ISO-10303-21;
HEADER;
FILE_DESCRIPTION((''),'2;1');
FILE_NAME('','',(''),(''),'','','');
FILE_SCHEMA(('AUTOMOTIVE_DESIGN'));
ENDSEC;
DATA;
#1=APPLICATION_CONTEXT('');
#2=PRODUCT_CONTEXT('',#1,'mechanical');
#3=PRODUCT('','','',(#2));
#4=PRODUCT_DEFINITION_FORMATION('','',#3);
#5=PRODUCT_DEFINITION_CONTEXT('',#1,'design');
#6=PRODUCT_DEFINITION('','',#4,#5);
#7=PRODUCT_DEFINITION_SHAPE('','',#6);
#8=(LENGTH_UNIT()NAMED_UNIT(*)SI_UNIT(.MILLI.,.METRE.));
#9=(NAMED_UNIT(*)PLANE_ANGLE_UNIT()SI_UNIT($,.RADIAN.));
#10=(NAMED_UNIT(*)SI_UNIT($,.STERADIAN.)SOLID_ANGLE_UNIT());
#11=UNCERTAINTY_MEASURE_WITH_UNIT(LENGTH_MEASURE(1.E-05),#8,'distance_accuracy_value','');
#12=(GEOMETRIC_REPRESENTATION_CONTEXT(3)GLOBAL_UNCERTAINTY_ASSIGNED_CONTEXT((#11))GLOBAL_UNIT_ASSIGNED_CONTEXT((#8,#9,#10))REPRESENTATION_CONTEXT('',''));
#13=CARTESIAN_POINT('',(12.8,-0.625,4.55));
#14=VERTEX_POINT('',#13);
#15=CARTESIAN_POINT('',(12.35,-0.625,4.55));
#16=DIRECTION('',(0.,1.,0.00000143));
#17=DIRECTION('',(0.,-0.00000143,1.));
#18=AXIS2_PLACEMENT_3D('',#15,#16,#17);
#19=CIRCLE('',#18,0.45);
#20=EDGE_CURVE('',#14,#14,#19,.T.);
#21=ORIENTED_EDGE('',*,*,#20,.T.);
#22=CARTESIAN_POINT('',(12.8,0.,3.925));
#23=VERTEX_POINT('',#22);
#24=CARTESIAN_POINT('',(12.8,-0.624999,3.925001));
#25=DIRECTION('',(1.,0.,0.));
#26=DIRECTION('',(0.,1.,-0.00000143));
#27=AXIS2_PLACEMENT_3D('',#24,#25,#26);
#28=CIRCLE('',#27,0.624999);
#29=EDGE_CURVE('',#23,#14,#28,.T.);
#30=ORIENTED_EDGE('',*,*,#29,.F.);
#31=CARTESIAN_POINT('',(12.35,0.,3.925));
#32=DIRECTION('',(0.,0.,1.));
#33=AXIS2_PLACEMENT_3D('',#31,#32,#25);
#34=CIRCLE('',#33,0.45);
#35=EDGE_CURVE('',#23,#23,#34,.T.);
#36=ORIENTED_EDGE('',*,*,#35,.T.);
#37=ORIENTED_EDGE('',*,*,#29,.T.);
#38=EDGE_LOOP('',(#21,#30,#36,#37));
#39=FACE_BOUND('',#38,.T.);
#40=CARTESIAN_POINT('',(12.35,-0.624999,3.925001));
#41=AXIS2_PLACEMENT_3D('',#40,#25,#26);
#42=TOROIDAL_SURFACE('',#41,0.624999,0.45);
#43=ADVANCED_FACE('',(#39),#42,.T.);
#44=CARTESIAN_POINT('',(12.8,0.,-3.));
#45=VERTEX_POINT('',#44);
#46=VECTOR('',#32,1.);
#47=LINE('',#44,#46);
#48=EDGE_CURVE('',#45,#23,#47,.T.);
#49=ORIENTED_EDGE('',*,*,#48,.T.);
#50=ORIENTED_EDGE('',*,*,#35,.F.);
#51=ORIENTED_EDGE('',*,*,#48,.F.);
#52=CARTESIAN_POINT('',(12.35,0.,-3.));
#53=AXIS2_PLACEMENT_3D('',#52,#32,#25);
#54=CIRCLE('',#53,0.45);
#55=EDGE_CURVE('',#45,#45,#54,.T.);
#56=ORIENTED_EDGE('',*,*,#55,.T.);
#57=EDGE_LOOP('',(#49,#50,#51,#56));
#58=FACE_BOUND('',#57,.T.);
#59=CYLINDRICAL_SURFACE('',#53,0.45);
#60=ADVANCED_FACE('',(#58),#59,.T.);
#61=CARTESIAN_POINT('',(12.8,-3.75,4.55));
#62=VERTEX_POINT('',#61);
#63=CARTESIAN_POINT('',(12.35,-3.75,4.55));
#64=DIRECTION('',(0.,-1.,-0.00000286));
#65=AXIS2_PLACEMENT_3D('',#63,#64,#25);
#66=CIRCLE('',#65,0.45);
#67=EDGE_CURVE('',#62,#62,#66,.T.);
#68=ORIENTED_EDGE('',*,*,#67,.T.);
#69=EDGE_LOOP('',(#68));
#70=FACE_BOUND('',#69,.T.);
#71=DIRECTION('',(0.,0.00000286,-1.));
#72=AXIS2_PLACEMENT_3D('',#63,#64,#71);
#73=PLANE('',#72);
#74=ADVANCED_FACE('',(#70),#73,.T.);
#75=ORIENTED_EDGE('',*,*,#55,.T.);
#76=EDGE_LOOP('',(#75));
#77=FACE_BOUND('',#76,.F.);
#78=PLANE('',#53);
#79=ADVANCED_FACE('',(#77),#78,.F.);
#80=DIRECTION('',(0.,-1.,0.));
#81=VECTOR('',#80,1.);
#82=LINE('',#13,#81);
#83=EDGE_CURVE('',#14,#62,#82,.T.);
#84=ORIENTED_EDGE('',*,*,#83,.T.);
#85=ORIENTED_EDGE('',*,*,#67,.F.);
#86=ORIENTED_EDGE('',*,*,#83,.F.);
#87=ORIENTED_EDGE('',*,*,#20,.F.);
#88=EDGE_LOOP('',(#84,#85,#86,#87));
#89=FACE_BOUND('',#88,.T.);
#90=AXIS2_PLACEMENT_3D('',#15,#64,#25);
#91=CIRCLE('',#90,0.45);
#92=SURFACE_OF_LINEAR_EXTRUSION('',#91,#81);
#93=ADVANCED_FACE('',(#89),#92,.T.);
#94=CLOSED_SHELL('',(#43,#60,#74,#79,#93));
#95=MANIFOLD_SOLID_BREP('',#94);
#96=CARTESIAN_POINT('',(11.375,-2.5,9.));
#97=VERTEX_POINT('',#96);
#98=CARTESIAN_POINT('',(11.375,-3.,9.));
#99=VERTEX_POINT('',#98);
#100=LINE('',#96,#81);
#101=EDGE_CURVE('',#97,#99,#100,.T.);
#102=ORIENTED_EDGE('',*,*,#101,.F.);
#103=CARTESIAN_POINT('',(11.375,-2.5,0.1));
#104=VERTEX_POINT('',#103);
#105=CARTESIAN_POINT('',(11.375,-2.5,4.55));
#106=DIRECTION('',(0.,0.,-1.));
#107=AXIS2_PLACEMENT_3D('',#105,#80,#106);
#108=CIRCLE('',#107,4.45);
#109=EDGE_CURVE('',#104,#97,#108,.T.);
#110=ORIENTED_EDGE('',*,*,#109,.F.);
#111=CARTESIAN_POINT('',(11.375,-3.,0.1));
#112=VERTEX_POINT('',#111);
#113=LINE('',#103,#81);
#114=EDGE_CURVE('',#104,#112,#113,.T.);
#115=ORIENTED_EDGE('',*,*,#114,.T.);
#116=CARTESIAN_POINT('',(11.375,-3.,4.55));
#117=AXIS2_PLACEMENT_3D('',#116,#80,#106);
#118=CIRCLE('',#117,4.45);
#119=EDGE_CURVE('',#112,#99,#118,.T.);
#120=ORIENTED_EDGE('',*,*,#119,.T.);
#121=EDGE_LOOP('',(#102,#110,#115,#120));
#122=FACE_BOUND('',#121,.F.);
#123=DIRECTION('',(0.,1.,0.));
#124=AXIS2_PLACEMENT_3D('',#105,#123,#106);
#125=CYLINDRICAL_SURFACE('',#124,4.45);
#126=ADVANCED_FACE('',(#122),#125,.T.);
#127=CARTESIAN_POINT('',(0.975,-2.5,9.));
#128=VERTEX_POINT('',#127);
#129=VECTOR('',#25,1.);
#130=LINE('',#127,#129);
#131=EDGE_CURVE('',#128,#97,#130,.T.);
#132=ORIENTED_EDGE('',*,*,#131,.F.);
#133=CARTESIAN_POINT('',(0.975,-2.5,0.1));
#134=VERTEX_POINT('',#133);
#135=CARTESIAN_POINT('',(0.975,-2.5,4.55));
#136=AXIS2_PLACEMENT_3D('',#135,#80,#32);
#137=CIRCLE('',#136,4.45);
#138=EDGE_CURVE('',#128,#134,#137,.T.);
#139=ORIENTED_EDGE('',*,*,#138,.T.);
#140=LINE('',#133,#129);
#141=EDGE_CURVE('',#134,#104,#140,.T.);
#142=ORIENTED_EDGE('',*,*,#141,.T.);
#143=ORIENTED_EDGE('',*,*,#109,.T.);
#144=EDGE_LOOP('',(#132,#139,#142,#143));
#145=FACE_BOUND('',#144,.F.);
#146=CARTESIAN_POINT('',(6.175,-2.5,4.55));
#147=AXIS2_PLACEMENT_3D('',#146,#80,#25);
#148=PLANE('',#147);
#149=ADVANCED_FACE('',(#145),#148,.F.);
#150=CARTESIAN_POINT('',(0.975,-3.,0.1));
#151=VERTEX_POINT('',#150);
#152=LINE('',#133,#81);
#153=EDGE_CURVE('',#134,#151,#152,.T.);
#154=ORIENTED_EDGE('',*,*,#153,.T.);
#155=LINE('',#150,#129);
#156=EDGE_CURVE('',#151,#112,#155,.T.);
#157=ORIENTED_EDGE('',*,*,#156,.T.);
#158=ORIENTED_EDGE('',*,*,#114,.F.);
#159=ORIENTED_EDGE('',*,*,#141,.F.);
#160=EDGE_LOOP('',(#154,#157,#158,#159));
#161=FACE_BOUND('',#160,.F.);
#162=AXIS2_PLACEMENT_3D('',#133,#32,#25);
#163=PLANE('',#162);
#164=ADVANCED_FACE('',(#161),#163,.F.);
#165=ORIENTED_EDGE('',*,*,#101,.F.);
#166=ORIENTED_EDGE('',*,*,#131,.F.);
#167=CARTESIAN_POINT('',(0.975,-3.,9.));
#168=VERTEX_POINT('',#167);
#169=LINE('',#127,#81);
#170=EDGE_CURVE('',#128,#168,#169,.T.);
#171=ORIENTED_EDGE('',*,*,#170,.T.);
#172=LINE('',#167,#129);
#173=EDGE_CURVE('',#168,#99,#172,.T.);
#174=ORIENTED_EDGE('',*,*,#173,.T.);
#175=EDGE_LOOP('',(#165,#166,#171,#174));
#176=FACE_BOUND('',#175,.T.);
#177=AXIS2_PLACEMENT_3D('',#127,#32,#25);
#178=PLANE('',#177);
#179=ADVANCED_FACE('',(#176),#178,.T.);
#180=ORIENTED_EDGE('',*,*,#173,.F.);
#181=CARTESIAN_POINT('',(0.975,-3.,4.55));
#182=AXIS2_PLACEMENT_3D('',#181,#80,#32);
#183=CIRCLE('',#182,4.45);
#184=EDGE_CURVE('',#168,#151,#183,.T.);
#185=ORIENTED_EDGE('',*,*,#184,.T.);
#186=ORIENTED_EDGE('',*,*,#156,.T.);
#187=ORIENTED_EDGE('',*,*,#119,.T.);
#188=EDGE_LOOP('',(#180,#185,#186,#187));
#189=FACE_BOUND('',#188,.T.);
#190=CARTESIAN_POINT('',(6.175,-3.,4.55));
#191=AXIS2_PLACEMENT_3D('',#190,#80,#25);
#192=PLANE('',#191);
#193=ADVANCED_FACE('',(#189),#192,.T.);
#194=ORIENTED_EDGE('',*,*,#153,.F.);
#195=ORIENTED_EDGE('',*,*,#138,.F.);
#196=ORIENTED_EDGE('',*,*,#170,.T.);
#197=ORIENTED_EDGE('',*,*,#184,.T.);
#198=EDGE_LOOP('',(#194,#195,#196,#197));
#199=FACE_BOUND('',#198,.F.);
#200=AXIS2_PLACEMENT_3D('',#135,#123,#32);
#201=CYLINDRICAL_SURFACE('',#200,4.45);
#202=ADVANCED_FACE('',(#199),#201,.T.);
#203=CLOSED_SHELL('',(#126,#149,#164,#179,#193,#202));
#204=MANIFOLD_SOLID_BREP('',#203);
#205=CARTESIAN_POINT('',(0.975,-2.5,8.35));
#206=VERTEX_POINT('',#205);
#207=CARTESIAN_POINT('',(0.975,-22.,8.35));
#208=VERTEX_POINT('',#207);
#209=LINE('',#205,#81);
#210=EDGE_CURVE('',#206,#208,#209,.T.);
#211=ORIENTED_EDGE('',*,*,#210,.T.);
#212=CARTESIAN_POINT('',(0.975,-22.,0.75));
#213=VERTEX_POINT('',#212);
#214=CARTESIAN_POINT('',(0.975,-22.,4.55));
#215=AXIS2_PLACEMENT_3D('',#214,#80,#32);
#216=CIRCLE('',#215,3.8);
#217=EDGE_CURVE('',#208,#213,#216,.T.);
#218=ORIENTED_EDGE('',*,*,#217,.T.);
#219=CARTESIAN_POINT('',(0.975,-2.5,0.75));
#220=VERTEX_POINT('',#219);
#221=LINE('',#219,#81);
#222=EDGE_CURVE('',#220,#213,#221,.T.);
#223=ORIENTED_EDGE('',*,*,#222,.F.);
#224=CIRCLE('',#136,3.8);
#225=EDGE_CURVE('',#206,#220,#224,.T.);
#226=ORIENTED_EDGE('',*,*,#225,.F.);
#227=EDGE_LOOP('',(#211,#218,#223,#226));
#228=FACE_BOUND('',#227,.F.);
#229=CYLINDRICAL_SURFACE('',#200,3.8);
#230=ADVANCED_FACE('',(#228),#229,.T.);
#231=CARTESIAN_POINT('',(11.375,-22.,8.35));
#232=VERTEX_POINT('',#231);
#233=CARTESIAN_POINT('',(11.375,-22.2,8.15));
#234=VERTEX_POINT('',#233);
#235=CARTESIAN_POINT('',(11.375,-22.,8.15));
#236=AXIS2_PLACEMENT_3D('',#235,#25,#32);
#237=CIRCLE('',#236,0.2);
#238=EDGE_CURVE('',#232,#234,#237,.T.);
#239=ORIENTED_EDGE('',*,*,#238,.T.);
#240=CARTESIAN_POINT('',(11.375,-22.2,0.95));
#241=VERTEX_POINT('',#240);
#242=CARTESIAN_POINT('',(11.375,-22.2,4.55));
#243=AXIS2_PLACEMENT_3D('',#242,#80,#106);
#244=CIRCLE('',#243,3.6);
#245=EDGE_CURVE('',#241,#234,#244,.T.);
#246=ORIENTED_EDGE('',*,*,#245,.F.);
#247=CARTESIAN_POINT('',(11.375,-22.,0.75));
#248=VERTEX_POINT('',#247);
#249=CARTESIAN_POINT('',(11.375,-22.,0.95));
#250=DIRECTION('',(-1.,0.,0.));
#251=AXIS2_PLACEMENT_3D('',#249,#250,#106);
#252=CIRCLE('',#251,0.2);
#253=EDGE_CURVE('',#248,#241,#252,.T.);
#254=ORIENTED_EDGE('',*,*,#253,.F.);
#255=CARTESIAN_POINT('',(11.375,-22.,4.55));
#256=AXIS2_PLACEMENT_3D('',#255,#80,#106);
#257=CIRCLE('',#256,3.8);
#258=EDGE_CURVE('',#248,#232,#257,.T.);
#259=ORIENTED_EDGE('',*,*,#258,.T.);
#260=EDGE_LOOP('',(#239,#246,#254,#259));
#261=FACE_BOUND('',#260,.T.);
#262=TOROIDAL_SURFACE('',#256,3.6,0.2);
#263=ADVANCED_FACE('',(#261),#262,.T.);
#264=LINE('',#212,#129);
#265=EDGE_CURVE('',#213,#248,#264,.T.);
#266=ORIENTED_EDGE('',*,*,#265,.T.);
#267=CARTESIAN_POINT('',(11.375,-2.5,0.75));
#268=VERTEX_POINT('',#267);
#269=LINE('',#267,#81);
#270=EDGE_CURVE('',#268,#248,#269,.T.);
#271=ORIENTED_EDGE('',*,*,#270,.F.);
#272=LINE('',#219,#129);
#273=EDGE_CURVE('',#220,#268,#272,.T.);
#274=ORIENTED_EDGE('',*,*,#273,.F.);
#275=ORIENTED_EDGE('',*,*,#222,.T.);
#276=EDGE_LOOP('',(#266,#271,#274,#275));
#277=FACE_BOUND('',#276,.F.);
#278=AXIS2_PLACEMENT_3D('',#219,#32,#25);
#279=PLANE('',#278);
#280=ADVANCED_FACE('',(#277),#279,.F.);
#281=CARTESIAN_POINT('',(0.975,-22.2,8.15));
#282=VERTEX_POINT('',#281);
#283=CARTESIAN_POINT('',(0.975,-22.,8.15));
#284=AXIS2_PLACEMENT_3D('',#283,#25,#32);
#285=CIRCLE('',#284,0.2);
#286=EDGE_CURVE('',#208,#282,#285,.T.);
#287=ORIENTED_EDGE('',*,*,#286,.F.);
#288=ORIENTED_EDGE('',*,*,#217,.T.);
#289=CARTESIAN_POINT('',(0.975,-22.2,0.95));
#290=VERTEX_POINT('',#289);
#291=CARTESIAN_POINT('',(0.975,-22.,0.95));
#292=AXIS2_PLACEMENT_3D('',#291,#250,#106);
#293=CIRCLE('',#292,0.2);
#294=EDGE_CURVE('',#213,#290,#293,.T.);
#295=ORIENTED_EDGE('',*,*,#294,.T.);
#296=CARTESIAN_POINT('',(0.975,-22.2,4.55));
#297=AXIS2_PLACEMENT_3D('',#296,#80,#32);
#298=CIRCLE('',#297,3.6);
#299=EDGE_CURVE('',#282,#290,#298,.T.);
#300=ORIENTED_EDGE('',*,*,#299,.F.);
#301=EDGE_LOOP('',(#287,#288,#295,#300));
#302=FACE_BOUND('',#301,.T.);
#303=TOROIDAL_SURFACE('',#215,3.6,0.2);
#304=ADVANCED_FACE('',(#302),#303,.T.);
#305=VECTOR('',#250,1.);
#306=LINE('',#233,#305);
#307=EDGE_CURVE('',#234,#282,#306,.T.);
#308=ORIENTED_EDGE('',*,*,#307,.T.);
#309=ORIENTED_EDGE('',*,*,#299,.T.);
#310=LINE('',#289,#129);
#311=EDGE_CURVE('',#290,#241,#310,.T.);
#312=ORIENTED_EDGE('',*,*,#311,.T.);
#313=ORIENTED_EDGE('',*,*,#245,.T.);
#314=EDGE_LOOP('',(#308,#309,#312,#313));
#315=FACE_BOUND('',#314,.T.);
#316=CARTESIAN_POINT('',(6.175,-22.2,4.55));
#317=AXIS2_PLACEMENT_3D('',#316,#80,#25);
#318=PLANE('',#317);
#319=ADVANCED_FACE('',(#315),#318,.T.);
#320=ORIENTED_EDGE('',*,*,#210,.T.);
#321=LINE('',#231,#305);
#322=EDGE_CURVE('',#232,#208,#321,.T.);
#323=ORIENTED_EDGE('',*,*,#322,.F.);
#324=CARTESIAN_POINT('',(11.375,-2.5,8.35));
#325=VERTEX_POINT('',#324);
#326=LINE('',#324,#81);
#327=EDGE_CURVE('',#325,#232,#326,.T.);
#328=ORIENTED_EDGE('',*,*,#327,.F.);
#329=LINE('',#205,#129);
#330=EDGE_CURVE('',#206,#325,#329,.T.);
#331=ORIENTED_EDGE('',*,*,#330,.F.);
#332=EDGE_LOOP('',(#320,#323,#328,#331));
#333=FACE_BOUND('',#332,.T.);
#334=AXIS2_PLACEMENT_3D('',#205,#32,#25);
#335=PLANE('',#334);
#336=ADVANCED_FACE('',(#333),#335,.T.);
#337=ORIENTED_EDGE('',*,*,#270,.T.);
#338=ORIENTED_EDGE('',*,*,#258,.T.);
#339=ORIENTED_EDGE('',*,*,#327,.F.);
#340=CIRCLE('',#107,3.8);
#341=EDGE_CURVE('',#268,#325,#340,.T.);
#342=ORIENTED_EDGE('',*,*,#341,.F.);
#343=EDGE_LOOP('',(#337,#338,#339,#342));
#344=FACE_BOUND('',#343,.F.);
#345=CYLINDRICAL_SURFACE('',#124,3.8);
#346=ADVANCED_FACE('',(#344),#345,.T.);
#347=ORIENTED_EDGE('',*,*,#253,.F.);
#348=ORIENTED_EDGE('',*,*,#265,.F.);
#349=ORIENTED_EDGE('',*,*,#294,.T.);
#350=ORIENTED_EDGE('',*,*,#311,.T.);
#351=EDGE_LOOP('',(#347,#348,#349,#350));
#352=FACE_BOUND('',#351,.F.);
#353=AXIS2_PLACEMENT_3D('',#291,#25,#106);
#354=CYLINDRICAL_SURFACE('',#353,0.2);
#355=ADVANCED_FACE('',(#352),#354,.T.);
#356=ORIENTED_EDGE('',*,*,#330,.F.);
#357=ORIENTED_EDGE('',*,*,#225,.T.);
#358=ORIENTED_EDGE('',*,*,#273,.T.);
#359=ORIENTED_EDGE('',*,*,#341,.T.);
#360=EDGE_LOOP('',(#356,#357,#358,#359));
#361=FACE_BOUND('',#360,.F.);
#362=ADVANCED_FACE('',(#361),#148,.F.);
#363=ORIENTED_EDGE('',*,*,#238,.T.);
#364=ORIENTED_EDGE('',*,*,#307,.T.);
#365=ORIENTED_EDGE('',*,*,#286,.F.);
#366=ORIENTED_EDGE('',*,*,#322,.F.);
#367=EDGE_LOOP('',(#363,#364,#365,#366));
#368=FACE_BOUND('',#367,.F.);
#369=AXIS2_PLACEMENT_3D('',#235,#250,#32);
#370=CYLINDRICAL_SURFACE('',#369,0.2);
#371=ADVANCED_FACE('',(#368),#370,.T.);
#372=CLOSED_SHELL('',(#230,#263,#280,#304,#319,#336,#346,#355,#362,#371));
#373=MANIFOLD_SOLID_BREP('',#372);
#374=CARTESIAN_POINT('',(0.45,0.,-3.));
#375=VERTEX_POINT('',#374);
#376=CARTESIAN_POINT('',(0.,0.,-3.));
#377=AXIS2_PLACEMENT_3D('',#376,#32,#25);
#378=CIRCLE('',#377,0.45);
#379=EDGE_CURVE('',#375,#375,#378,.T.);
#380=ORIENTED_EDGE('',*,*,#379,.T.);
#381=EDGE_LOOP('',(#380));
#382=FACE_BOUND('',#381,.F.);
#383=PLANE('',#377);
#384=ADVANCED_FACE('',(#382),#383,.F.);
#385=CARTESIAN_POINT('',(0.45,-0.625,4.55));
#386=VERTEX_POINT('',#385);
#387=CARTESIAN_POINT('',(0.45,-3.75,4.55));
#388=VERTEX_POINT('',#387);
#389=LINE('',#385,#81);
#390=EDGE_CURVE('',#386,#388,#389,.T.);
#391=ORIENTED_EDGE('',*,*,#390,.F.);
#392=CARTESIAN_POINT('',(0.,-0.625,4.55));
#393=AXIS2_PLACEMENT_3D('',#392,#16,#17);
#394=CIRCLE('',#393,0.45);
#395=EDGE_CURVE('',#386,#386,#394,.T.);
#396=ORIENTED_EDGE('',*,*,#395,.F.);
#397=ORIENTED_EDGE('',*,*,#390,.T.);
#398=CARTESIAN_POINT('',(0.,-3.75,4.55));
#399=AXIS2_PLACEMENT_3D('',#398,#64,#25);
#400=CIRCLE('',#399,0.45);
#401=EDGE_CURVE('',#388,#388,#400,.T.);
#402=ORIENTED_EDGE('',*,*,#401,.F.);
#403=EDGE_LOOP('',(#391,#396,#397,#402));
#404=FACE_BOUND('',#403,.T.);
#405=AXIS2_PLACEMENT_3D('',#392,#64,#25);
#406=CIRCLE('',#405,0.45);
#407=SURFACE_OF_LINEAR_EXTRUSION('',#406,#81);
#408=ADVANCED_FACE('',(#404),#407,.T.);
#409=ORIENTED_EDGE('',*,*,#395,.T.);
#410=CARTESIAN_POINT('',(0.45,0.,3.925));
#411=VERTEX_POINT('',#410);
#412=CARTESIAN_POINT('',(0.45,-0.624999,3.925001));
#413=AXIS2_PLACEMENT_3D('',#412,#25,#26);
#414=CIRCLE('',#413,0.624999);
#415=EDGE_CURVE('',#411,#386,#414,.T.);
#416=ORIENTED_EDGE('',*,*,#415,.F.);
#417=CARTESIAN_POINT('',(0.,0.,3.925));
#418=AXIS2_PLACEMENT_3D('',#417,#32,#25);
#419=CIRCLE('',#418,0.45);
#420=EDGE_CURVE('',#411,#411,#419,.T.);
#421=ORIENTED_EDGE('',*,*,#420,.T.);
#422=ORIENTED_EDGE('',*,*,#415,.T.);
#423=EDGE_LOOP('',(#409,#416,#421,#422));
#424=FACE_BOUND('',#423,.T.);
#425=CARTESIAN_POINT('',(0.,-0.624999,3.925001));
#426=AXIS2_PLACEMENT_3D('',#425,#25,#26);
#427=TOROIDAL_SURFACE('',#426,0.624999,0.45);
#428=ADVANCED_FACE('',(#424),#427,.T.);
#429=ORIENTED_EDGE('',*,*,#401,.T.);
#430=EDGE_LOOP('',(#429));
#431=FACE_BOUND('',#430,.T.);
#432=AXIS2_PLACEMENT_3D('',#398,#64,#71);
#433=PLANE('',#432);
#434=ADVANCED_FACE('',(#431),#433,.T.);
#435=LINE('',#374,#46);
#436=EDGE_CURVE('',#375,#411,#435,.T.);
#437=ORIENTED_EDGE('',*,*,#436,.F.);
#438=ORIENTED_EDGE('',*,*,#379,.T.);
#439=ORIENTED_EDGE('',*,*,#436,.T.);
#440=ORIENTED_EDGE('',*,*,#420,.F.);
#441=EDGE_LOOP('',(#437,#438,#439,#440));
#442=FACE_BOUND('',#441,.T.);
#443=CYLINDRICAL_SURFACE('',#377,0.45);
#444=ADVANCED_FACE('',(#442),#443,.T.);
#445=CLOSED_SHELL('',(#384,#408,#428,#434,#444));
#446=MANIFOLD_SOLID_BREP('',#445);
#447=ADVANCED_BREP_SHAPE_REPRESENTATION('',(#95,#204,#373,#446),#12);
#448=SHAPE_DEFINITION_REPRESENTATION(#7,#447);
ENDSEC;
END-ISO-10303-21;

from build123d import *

# Parameters (mm, degrees)
PAD_DEPTH    = 0.5
PAD001_DEPTH = 19.7
FILLET_R     = 0.2
SKETCH_R     = 0.45
SKETCH002_R  = 0.45


with BuildPart() as pad:
    # Sketch004 → Pad (new body)
    with BuildSketch(Plane.XZ.offset(2.5)):
        with BuildLine():
            ThreePointArc((0.975, 9), (-3.475, 4.55), (0.975, 0.1))
            Line((0.975, 0.1), (11.375, 0.1))
            ThreePointArc((11.375, 0.1), (15.825, 4.55), (11.375, 9))
            Line((0.975, 9), (11.375, 9))
        make_face()
    extrude(amount=PAD_DEPTH)


with BuildPart() as fillet_body:
    # Sketch005 → Pad001 (new body)
    with BuildSketch(Plane.XZ.offset(2.5)):
        with BuildLine():
            ThreePointArc((0.975, 8.35), (-2.825, 4.55), (0.975, 0.75))
            Line((0.975, 0.75), (11.375, 0.75))
            ThreePointArc((11.375, 0.75), (15.175, 4.55), (11.375, 8.35))
            Line((0.975, 8.35), (11.375, 8.35))
        make_face()
    extrude(amount=PAD001_DEPTH)

    # Fillet
    fillet_edges = [fillet_body.edges().sort_by_distance(p)[0] for p in [
        (6.175, -22.2, 0.75),
        (-2.825, -22.2, 4.55),
        (6.175, -22.2, 8.35),
        (15.175, -22.2, 4.55),
    ]]
    fillet(fillet_edges, radius=FILLET_R)


with BuildPart() as sweep_body:
    # Sweep: sweep along a path in Sketch001
    with BuildLine(Plane.YZ) as sweep_path:
        Line((0, -3), (0, 3.925))
        ThreePointArc((0, 3.925), (-0.183058, 4.366942), (-0.625, 4.55))
        Line((-0.625, 4.55), (-3.75, 4.55))
    # Sketch → Sweep (sweep)
    with BuildSketch(Plane.XY.offset(0.1)):
        Circle(SKETCH_R)
    sweep(path=sweep_path.line)


with BuildPart() as sweep001:
    # Sweep001: sweep along a path in Sketch001
    with BuildLine(Plane.YZ) as sweep001_path:
        Line((0, -3), (0, 3.925))
        ThreePointArc((0, 3.925), (-0.183058, 4.366942), (-0.625, 4.55))
        Line((-0.625, 4.55), (-3.75, 4.55))
    # Sketch002 → Sweep001 (sweep)
    with BuildSketch(Plane.XY.offset(0.1)):
        with Locations((12.35, 0)):
            Circle(SKETCH002_R)
    sweep(path=sweep001_path.line)


solid = Compound([pad.part, fillet_body.part, sweep_body.part, sweep001.part])
